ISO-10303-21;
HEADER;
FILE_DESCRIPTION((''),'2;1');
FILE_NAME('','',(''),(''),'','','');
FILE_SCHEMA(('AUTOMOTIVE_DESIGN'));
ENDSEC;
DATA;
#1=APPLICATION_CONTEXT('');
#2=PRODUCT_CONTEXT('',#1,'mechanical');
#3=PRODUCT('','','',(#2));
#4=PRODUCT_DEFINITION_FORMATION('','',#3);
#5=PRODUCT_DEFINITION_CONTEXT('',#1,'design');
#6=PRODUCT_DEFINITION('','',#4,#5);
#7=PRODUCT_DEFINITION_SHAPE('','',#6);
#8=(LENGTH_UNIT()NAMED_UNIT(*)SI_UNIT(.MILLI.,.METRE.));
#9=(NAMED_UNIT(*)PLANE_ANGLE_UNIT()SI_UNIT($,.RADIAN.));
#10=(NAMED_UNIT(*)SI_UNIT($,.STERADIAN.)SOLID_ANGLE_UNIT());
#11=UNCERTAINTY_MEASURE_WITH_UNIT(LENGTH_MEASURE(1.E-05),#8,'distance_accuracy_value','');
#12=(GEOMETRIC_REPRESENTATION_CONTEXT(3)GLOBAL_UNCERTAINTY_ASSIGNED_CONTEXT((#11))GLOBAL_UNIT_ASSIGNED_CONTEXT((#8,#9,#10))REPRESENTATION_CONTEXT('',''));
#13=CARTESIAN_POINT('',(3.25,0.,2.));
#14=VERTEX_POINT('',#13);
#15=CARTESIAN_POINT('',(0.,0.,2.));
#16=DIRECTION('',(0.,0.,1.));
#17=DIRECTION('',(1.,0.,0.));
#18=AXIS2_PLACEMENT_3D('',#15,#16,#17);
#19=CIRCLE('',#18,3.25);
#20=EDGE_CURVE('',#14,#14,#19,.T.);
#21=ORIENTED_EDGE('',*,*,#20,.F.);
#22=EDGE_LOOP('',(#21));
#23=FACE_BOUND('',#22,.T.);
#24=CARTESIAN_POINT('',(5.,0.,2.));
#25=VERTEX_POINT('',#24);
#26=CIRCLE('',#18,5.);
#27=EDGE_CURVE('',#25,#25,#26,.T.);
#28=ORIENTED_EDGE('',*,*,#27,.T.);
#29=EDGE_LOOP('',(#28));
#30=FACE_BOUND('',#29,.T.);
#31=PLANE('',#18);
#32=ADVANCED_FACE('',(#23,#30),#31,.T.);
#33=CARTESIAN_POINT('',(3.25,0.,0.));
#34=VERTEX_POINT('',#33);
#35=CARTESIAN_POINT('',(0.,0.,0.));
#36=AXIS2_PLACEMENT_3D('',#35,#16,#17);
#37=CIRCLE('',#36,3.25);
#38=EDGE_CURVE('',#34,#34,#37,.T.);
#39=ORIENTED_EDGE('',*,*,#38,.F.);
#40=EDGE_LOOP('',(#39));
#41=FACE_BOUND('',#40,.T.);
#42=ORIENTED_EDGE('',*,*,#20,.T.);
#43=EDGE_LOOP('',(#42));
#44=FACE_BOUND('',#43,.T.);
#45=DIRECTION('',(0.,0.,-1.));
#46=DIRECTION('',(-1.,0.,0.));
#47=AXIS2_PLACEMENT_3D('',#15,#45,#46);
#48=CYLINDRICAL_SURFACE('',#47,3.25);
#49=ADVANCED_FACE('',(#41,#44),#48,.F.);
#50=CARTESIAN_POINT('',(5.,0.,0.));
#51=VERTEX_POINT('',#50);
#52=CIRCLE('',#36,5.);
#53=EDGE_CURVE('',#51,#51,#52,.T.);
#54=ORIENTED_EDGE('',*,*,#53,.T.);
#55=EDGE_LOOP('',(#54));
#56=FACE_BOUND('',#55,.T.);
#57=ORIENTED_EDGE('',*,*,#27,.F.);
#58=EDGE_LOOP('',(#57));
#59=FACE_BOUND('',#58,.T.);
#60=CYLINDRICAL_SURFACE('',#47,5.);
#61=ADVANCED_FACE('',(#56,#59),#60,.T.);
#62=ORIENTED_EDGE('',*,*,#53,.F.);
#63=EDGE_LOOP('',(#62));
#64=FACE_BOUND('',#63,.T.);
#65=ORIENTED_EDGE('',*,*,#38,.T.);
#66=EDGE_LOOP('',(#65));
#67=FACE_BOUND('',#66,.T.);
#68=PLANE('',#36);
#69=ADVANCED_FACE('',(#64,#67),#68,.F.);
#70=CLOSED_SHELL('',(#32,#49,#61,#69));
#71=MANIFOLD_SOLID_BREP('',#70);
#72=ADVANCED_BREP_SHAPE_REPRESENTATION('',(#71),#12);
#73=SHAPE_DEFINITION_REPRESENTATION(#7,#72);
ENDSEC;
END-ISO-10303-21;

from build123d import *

# Parameters (mm, degrees)
SKETCH_1_R      = 5
SKETCH_1_R_2    = 3.25
EXTRUDE_1_DEPTH = 2


with BuildPart() as part:
    # ｽｹｯﾁ1 → ﾎﾞｽ - 押し出し1 (new body)
    with BuildSketch(Plane.XY):
        Circle(SKETCH_1_R)
        Circle(SKETCH_1_R_2, mode=Mode.SUBTRACT)
    extrude(amount=EXTRUDE_1_DEPTH)


solid = part.part
